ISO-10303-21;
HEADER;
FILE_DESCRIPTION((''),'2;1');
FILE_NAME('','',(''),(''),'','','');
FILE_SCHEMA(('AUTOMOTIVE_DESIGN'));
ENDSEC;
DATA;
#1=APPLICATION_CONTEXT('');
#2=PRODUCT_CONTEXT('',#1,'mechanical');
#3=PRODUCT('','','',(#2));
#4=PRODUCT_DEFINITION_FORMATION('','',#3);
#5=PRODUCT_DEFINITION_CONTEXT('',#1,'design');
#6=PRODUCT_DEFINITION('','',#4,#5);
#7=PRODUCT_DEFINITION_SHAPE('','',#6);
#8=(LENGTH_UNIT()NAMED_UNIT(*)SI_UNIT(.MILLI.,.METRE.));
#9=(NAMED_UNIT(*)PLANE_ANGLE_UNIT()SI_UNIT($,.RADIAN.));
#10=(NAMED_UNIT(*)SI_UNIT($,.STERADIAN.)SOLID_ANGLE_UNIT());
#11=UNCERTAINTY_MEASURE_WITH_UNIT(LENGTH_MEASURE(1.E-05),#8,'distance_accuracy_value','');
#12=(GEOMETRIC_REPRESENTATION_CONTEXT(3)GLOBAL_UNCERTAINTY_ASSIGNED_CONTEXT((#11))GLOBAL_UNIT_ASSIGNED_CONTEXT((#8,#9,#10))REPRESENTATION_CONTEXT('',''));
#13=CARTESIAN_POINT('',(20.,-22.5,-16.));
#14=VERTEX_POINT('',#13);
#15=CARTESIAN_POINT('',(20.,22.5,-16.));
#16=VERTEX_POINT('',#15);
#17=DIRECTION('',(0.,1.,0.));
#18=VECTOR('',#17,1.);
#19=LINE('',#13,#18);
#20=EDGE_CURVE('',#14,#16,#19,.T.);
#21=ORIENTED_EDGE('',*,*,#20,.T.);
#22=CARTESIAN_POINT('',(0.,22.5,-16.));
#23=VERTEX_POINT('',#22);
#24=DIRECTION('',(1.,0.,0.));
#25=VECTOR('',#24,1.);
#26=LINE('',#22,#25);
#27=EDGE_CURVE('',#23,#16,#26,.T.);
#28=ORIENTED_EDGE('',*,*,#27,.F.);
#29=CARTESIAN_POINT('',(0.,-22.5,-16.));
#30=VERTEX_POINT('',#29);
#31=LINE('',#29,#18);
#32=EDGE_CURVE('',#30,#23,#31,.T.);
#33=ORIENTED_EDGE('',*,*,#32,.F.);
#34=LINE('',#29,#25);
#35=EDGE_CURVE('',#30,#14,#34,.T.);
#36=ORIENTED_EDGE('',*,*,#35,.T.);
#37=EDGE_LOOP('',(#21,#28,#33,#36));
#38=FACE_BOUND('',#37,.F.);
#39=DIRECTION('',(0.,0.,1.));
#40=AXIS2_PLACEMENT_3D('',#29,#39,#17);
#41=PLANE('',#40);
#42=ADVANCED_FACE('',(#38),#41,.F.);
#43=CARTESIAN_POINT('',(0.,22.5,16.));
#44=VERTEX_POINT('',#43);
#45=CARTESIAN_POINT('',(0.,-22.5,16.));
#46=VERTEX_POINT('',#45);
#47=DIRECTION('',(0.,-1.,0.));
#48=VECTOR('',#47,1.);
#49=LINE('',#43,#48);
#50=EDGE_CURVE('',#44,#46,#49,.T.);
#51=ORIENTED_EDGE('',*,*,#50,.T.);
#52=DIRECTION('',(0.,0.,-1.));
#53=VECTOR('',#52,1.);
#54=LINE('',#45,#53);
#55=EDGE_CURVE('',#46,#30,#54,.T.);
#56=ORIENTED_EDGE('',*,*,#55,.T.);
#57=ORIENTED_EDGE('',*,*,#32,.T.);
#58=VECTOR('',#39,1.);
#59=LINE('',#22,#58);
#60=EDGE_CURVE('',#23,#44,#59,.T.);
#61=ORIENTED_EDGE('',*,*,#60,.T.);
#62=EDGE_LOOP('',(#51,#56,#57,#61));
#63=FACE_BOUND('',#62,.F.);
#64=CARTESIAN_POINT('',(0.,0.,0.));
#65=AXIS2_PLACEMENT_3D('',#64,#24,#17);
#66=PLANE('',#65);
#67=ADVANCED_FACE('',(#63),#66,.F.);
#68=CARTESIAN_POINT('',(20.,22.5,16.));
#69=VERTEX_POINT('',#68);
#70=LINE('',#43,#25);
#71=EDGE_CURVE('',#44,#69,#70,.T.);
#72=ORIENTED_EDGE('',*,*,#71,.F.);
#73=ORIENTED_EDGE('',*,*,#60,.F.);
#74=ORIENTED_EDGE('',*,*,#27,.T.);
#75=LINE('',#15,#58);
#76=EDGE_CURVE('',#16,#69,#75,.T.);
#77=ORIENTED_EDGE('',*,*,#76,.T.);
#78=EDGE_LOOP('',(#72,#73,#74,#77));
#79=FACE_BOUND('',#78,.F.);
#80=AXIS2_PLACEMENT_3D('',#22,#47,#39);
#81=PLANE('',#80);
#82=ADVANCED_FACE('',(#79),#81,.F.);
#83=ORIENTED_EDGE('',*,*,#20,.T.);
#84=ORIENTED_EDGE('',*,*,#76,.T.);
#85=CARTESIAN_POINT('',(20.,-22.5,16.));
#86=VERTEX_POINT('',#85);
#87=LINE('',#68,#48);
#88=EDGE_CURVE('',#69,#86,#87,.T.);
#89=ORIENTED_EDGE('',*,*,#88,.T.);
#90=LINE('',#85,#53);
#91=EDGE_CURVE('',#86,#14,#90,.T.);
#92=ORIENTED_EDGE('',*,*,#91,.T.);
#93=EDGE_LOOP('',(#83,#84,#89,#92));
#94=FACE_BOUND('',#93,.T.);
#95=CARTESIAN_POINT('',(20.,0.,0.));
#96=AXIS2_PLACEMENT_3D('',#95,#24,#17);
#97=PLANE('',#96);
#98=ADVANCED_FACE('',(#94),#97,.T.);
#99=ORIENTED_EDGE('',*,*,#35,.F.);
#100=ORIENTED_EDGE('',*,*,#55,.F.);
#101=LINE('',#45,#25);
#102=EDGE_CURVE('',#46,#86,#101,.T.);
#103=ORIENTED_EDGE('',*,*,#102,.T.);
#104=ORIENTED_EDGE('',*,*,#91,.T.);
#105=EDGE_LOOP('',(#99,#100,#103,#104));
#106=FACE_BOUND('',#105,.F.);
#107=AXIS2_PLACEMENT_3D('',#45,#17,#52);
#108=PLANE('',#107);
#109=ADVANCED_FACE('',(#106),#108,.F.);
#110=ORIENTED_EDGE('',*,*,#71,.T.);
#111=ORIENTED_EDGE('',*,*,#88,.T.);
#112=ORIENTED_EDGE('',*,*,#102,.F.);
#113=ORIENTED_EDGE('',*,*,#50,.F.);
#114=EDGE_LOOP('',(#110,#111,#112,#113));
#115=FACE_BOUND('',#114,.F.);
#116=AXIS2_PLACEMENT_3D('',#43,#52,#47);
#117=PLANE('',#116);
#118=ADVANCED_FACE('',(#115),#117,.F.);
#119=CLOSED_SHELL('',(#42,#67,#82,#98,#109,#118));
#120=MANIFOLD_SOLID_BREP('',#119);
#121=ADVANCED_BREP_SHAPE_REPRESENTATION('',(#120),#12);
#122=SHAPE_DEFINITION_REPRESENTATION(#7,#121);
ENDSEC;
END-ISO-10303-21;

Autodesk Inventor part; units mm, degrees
ref_plane "YZ Plane" through (0, 0, 0) normal (1, 0, 0) x (0, 1, 0)
ref_plane "XZ Plane" through (0, 0, 0) normal (0, 1, 0) x (-1, 0, 0)
ref_plane "XY Plane" through (0, 0, 0) normal (0, 0, 1) x (1, 0, 0)
sketch "Skizze1" plane through (0, 0, 0) normal (1, 0, 0) x (0, 1, 0)
  line L0 (-22.5, -16) -> (22.5, -16)
  line L1 (22.5, -16) -> (22.5, 16)
  line L2 (22.5, 16) -> (-22.5, 16)
  line L3 (-22.5, 16) -> (-22.5, -16)
  line L4 (-22.5, -16) -> (22.5, 16) construction
  line L5 (22.5, -16) -> (-22.5, 16) construction
  point P0 (0, 0)
  dimension "d0" = 45
  dimension "d1" = 32
extrude "Extrusion1" add sketch "Skizze1" along normal blind 20
properties part number "HolzHalterNeu"
